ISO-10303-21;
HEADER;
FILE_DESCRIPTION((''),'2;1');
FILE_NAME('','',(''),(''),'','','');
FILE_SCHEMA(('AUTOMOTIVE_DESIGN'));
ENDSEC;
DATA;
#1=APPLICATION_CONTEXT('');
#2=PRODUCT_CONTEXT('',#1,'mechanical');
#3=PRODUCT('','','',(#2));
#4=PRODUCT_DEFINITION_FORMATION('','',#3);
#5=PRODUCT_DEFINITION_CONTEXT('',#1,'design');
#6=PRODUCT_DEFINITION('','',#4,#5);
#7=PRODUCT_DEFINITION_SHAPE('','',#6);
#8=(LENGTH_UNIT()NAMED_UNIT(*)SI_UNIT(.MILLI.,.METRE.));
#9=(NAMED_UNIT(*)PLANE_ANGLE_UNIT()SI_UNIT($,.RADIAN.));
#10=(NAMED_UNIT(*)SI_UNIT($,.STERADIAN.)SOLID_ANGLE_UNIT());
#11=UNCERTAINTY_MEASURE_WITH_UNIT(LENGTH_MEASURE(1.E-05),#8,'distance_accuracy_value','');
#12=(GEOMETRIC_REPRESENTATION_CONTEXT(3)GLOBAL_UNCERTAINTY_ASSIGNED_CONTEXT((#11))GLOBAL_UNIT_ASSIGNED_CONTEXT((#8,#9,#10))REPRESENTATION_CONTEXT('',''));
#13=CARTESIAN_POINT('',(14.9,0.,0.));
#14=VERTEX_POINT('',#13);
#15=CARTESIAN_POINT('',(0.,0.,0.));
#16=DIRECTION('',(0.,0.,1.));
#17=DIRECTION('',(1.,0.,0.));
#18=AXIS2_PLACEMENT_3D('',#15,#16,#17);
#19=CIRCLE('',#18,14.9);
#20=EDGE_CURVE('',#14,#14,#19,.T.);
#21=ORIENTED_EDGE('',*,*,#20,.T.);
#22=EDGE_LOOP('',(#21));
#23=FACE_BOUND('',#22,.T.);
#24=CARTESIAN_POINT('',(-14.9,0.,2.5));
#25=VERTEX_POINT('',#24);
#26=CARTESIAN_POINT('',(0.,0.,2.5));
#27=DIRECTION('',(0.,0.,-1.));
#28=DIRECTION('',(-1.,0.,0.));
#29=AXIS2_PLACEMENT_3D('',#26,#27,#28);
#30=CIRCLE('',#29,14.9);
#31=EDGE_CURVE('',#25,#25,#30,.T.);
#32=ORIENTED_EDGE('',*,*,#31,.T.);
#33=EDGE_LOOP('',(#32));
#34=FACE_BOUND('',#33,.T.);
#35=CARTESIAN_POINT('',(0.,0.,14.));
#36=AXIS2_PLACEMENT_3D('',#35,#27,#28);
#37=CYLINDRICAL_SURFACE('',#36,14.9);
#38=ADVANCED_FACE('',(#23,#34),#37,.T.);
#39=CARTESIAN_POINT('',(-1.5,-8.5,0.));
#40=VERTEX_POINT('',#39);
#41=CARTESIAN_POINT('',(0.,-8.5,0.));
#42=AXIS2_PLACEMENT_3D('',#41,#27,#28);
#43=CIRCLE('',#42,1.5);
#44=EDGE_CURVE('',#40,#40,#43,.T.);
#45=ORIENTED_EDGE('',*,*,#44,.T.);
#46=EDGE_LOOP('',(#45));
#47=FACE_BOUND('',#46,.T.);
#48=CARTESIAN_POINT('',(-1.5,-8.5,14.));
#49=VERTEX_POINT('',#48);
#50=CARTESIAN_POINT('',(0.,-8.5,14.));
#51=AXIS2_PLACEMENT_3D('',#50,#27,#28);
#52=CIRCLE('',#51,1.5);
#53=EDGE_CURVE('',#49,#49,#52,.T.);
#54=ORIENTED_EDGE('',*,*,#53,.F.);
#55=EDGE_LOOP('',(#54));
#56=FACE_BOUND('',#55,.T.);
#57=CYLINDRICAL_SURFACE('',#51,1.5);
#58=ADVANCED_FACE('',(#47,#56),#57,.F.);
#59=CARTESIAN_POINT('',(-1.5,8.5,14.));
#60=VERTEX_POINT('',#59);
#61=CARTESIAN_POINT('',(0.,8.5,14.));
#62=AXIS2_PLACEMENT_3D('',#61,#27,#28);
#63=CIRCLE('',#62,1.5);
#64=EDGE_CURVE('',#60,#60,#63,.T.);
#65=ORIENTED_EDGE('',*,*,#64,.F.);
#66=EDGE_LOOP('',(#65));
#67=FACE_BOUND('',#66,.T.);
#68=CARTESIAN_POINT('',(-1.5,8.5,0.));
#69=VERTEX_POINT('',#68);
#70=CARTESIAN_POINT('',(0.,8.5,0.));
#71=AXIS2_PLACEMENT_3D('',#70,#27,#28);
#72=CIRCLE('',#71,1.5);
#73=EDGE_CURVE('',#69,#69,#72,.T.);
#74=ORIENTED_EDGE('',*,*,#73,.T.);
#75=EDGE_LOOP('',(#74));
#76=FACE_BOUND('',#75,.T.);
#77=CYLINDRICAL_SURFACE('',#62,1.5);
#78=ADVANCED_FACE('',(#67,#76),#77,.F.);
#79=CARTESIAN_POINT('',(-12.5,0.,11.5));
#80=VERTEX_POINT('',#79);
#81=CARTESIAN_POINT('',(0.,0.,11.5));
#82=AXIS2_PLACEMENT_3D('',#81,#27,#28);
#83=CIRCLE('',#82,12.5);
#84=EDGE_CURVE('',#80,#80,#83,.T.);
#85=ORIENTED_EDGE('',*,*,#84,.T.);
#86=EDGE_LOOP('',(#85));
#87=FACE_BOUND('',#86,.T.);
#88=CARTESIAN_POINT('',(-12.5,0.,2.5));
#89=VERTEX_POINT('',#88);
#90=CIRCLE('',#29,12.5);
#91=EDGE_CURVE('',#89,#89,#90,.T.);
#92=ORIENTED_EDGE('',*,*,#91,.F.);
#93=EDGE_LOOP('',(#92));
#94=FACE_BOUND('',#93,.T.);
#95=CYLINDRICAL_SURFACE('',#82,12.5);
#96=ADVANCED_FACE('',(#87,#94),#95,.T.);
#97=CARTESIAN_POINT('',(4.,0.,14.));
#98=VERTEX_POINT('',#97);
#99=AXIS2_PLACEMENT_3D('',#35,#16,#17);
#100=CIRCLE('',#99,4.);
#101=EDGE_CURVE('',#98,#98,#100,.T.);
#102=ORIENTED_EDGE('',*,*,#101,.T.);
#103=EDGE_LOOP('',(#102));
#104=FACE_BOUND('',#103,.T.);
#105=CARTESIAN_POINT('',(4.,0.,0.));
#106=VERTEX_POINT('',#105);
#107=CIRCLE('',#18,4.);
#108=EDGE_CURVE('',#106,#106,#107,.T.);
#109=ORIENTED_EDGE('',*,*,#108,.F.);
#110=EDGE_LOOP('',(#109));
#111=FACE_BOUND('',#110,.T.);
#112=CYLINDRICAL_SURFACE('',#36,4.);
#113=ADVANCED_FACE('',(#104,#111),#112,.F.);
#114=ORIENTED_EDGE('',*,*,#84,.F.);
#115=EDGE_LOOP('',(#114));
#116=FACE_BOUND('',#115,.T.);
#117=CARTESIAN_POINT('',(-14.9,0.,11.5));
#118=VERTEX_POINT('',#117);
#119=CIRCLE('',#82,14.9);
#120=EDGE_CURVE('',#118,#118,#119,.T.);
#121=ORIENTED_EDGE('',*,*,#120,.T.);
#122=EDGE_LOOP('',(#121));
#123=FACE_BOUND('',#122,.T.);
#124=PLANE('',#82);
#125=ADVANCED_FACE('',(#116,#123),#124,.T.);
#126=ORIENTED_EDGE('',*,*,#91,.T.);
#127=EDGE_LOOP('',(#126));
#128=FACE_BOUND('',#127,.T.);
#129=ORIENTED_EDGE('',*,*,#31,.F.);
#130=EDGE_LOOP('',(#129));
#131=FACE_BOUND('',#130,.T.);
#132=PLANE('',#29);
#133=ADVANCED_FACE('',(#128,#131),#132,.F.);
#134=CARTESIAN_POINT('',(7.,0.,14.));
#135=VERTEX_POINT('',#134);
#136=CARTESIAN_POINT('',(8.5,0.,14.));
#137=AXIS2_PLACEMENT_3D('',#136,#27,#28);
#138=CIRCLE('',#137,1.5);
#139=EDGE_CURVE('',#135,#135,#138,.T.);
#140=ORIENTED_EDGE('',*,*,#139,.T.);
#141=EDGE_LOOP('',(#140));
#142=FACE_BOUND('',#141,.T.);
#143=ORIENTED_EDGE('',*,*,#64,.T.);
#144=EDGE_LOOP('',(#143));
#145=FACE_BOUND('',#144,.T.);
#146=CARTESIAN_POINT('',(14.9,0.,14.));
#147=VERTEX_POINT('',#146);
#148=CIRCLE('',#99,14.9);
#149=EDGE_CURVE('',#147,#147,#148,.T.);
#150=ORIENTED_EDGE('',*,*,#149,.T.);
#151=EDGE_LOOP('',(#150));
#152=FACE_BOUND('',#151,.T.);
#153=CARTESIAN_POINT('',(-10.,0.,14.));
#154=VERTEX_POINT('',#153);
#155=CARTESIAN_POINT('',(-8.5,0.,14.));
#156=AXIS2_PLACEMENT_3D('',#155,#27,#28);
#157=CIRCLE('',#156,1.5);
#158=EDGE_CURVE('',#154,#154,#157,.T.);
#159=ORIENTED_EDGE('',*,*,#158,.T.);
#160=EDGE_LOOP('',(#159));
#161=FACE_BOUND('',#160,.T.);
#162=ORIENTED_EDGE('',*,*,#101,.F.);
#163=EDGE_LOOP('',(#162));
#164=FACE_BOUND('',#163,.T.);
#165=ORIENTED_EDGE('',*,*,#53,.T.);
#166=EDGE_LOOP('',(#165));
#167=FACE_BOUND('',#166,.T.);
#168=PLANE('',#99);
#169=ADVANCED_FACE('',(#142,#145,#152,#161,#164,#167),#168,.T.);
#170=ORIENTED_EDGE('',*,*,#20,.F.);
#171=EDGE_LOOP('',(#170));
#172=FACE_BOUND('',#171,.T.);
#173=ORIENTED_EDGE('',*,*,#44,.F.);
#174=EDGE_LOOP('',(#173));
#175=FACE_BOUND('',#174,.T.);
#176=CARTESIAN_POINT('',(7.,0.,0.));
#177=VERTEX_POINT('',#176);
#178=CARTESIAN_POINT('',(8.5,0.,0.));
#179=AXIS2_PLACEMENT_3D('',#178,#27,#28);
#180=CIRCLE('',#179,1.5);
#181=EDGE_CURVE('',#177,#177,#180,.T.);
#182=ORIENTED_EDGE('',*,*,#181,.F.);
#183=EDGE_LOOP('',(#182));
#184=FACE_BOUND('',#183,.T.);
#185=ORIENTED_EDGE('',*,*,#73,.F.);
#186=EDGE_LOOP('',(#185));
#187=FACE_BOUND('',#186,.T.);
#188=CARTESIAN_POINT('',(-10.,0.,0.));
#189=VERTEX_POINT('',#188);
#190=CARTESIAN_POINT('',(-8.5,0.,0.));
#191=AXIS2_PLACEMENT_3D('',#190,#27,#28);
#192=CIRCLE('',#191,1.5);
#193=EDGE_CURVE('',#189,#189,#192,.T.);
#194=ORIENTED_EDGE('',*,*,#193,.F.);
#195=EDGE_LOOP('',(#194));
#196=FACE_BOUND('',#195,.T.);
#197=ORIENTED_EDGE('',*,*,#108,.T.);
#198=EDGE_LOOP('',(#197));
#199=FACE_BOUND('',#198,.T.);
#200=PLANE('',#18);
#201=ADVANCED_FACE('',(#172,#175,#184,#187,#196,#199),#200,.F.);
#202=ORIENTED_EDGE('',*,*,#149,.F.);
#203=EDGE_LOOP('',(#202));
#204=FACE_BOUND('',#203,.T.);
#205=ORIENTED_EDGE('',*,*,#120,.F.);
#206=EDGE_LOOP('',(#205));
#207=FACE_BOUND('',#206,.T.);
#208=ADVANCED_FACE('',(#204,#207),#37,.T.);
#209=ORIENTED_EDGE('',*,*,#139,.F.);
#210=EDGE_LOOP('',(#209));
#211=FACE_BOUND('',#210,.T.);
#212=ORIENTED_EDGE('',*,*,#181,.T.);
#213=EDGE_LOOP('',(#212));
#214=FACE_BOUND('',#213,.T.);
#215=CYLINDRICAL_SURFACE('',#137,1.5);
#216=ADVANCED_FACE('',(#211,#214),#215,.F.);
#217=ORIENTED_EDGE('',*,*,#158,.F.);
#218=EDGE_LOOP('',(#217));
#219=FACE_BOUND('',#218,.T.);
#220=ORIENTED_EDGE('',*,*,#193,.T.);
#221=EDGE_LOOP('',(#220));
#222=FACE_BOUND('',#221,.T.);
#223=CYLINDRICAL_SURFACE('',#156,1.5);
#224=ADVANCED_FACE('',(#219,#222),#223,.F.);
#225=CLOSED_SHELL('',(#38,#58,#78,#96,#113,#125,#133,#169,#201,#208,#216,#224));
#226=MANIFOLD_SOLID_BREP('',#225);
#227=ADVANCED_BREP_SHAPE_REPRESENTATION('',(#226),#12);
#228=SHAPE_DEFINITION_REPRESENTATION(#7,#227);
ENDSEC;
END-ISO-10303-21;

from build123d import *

# Parameters (mm, degrees)
SKETCH1_R           = 14.9
SKETCH1_R_2         = 4
BOSS_EXTRUDE1_DEPTH = 14
SKETCH2_R           = 14.9
SKETCH2_R_2         = 12.5
CUT_EXTRUDE1_DEPTH  = 9
SKETCH3_R           = 1.5
CUT_EXTRUDE2_DEPTH  = 26.298616563


with BuildPart() as part:
    # Sketch1 → Boss-Extrude1 (new body)
    with BuildSketch(Plane.XY):
        Circle(SKETCH1_R)
        Circle(SKETCH1_R_2, mode=Mode.SUBTRACT)
    extrude(amount=BOSS_EXTRUDE1_DEPTH)

    # Sketch2 → Cut-Extrude1 (cut)
    with BuildSketch(Plane(origin=(0, 0, 2.5), x_dir=(-1, 0, 0), z_dir=(0, 0, -1))):
        Circle(SKETCH2_R)
        Circle(SKETCH2_R_2, mode=Mode.SUBTRACT)
    extrude(amount=-CUT_EXTRUDE1_DEPTH, mode=Mode.SUBTRACT)

    # Sketch3 → Cut-Extrude2 (cut, through all)
    with BuildSketch(Plane(origin=(0, 0, 0), x_dir=(-1, 0, 0), z_dir=(0, 0, -1))):
        with Locations((0, 8.5)):
            Circle(SKETCH3_R)
        with Locations((8.5, 0)):
            Circle(SKETCH3_R)
        with Locations((0, -8.5)):
            Circle(SKETCH3_R)
        with Locations((-8.5, 0)):
            Circle(SKETCH3_R)
    extrude(amount=-CUT_EXTRUDE2_DEPTH, mode=Mode.SUBTRACT)


solid = part.part
